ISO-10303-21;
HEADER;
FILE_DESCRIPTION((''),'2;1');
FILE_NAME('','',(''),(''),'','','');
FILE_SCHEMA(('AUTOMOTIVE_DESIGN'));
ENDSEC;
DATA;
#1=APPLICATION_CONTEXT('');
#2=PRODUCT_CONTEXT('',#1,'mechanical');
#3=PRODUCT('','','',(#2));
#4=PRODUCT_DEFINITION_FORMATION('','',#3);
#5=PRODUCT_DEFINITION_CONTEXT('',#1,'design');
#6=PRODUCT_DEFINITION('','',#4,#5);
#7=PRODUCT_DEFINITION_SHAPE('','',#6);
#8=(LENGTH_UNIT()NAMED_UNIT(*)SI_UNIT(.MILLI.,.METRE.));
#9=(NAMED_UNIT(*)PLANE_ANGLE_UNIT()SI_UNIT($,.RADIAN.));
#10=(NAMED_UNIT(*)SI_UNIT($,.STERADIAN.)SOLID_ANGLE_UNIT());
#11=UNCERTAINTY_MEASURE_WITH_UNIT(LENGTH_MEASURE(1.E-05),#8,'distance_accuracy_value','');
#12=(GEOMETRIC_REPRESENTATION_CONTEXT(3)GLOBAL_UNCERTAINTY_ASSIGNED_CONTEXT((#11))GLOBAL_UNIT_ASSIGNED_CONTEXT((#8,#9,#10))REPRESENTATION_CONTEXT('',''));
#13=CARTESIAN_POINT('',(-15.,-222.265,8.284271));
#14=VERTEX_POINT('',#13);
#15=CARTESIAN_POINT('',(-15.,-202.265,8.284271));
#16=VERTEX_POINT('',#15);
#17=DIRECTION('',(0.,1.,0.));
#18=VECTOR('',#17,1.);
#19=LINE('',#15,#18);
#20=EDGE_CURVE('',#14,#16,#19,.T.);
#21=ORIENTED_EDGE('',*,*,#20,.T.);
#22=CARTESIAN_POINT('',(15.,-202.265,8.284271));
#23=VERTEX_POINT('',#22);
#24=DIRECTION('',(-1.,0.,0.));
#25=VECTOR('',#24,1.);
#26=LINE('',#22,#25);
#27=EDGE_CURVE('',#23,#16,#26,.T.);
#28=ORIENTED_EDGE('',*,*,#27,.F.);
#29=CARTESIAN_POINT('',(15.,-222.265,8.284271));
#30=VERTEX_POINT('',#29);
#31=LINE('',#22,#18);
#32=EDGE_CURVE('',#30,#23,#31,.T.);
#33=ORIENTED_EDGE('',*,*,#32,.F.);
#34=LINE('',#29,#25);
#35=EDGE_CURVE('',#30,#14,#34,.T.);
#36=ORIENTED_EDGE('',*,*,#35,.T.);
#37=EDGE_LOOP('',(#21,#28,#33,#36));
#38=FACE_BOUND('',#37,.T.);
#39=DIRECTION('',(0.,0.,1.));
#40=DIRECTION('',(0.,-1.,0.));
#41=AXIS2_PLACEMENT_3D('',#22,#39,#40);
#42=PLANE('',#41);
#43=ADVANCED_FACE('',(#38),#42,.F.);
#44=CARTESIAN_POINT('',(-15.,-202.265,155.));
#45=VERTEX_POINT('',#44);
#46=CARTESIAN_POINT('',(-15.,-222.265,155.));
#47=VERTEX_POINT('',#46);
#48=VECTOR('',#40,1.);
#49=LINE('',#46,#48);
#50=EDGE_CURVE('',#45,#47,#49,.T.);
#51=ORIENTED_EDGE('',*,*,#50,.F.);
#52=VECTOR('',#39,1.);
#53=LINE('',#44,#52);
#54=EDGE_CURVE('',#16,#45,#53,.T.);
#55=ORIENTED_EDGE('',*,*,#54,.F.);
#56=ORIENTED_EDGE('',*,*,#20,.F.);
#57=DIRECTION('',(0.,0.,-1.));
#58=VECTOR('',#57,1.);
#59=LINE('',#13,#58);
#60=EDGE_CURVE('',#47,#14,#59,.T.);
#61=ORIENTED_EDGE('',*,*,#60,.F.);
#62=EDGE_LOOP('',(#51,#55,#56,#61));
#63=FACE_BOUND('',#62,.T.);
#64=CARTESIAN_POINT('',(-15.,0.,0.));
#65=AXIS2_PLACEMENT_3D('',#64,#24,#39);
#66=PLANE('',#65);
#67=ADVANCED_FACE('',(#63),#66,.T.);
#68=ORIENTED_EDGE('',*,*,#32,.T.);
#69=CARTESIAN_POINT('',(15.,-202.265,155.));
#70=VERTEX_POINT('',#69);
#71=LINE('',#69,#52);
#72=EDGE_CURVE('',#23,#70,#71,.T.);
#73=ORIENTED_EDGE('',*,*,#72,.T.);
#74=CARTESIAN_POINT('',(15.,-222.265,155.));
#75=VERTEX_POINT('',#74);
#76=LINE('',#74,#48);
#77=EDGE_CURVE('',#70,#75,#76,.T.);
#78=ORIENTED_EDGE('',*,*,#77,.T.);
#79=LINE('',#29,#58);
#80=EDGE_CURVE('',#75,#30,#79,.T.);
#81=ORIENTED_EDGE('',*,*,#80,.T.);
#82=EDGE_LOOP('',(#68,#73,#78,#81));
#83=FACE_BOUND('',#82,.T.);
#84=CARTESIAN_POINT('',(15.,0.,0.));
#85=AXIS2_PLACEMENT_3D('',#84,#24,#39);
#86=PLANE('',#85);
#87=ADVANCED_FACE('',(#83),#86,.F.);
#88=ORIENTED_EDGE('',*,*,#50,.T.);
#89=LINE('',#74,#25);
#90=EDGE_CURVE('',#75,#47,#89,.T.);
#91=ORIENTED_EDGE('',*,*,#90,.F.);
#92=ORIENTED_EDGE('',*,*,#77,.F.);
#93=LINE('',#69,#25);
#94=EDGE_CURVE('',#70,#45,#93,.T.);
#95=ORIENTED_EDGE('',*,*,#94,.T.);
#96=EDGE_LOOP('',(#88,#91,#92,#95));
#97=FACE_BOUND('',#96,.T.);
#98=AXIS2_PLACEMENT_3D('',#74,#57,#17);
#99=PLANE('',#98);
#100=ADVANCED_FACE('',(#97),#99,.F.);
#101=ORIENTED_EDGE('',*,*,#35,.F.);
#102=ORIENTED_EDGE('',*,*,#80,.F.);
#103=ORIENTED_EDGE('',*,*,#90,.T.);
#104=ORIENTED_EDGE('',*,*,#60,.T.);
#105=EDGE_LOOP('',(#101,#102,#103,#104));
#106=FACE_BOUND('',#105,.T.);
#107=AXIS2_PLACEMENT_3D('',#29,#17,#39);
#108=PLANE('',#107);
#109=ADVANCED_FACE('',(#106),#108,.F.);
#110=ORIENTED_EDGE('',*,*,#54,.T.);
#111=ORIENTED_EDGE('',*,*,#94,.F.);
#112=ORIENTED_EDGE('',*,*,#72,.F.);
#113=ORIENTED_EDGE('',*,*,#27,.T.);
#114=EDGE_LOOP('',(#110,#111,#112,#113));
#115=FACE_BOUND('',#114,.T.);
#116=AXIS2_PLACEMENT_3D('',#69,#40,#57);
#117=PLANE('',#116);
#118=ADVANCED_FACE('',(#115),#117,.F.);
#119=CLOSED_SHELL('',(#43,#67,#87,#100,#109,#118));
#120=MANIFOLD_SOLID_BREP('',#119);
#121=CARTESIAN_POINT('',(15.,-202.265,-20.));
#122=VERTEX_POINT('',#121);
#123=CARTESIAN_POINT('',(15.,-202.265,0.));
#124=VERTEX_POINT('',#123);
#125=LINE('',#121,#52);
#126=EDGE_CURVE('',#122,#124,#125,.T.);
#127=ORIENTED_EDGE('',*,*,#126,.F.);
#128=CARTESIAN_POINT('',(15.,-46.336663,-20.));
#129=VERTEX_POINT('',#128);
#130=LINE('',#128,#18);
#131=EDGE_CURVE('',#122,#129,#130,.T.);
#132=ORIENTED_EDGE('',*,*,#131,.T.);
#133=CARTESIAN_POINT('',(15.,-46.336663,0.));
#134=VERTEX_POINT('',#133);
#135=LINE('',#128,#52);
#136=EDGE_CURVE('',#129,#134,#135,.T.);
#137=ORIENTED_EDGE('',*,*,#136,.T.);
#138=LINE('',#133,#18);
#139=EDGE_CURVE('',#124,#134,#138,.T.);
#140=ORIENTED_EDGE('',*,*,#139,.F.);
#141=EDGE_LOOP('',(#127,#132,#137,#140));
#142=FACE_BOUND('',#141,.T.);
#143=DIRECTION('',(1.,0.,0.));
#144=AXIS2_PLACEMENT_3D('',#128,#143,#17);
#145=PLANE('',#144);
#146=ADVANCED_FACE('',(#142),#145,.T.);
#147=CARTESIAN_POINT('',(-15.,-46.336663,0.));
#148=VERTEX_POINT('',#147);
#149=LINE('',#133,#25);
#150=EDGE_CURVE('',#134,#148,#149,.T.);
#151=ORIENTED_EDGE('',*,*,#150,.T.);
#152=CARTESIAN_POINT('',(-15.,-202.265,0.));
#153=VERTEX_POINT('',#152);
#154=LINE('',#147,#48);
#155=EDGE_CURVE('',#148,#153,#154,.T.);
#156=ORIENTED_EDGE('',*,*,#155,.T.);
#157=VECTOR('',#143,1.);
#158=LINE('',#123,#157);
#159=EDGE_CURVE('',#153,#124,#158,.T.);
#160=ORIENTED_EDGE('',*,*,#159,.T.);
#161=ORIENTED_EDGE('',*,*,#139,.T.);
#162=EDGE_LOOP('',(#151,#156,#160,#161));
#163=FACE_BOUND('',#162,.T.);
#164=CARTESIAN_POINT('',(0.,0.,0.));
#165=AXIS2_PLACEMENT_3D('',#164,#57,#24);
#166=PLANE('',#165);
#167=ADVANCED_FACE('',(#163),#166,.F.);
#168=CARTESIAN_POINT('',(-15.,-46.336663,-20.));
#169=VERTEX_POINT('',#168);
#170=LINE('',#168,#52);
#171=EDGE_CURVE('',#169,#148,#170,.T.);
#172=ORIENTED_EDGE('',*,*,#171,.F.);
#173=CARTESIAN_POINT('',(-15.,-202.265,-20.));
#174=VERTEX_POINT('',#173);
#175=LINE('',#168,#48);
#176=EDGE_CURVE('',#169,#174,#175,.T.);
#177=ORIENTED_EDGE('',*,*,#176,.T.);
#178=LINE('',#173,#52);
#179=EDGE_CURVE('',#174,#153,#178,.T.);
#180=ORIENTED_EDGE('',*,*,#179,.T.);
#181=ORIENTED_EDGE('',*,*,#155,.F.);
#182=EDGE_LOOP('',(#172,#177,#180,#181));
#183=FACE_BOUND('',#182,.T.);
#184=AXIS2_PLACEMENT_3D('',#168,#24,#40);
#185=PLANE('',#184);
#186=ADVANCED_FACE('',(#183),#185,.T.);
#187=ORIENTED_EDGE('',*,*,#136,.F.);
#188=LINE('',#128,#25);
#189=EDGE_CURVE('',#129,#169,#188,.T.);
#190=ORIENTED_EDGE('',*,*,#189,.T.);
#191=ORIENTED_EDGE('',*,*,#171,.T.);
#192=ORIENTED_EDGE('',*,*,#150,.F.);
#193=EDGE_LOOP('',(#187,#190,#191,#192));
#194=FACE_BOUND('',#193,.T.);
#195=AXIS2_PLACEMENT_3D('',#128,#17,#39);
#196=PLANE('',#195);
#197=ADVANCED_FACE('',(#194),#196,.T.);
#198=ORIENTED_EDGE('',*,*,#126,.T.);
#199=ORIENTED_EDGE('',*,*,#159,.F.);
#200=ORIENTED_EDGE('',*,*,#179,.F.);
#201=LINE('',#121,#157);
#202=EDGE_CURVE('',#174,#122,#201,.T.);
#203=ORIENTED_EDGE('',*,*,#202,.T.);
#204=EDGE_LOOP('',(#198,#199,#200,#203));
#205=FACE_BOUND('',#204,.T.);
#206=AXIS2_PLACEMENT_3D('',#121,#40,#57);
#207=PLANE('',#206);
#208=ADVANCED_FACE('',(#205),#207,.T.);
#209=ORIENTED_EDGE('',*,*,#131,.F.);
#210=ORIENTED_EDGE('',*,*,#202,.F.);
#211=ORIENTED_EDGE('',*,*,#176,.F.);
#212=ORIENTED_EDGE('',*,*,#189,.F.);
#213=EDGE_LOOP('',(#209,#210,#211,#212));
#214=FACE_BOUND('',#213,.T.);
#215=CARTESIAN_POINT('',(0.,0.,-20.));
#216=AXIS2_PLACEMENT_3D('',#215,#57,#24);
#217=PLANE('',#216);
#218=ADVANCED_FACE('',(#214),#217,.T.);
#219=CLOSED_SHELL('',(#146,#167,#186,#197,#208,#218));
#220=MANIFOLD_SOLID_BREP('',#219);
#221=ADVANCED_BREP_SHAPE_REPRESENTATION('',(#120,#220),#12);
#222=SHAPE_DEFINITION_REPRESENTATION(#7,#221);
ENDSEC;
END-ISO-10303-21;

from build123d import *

# Parameters (mm, degrees)
SKETCH11_W          = 30
SKETCH11_H          = 155.928336779
BOSS_EXTRUDE2_DEPTH = 20
SKETCH16_W          = 146.715728753
SKETCH16_H          = 20
BOSS_EXTRUDE3_DEPTH = 15


with BuildPart() as part:
    # Sketch11 → Boss-Extrude2 (new body)
    with BuildSketch(Plane.XY):
        with Locations((0, -124.300831611)):
            Rectangle(SKETCH11_W, SKETCH11_H)
    extrude(amount=-BOSS_EXTRUDE2_DEPTH)


with BuildPart() as body_2:
    # Sketch16 → Boss-Extrude3 (new, symmetric)
    with BuildSketch(Plane(origin=(0, 0, 0), x_dir=(0, 0, -1), z_dir=(1, 0, 0))):
        with Locations((-81.642135623, -212.265)):
            Rectangle(SKETCH16_W, SKETCH16_H)
    extrude(amount=BOSS_EXTRUDE3_DEPTH, both=True)


solid = Compound([part.part, body_2.part])
